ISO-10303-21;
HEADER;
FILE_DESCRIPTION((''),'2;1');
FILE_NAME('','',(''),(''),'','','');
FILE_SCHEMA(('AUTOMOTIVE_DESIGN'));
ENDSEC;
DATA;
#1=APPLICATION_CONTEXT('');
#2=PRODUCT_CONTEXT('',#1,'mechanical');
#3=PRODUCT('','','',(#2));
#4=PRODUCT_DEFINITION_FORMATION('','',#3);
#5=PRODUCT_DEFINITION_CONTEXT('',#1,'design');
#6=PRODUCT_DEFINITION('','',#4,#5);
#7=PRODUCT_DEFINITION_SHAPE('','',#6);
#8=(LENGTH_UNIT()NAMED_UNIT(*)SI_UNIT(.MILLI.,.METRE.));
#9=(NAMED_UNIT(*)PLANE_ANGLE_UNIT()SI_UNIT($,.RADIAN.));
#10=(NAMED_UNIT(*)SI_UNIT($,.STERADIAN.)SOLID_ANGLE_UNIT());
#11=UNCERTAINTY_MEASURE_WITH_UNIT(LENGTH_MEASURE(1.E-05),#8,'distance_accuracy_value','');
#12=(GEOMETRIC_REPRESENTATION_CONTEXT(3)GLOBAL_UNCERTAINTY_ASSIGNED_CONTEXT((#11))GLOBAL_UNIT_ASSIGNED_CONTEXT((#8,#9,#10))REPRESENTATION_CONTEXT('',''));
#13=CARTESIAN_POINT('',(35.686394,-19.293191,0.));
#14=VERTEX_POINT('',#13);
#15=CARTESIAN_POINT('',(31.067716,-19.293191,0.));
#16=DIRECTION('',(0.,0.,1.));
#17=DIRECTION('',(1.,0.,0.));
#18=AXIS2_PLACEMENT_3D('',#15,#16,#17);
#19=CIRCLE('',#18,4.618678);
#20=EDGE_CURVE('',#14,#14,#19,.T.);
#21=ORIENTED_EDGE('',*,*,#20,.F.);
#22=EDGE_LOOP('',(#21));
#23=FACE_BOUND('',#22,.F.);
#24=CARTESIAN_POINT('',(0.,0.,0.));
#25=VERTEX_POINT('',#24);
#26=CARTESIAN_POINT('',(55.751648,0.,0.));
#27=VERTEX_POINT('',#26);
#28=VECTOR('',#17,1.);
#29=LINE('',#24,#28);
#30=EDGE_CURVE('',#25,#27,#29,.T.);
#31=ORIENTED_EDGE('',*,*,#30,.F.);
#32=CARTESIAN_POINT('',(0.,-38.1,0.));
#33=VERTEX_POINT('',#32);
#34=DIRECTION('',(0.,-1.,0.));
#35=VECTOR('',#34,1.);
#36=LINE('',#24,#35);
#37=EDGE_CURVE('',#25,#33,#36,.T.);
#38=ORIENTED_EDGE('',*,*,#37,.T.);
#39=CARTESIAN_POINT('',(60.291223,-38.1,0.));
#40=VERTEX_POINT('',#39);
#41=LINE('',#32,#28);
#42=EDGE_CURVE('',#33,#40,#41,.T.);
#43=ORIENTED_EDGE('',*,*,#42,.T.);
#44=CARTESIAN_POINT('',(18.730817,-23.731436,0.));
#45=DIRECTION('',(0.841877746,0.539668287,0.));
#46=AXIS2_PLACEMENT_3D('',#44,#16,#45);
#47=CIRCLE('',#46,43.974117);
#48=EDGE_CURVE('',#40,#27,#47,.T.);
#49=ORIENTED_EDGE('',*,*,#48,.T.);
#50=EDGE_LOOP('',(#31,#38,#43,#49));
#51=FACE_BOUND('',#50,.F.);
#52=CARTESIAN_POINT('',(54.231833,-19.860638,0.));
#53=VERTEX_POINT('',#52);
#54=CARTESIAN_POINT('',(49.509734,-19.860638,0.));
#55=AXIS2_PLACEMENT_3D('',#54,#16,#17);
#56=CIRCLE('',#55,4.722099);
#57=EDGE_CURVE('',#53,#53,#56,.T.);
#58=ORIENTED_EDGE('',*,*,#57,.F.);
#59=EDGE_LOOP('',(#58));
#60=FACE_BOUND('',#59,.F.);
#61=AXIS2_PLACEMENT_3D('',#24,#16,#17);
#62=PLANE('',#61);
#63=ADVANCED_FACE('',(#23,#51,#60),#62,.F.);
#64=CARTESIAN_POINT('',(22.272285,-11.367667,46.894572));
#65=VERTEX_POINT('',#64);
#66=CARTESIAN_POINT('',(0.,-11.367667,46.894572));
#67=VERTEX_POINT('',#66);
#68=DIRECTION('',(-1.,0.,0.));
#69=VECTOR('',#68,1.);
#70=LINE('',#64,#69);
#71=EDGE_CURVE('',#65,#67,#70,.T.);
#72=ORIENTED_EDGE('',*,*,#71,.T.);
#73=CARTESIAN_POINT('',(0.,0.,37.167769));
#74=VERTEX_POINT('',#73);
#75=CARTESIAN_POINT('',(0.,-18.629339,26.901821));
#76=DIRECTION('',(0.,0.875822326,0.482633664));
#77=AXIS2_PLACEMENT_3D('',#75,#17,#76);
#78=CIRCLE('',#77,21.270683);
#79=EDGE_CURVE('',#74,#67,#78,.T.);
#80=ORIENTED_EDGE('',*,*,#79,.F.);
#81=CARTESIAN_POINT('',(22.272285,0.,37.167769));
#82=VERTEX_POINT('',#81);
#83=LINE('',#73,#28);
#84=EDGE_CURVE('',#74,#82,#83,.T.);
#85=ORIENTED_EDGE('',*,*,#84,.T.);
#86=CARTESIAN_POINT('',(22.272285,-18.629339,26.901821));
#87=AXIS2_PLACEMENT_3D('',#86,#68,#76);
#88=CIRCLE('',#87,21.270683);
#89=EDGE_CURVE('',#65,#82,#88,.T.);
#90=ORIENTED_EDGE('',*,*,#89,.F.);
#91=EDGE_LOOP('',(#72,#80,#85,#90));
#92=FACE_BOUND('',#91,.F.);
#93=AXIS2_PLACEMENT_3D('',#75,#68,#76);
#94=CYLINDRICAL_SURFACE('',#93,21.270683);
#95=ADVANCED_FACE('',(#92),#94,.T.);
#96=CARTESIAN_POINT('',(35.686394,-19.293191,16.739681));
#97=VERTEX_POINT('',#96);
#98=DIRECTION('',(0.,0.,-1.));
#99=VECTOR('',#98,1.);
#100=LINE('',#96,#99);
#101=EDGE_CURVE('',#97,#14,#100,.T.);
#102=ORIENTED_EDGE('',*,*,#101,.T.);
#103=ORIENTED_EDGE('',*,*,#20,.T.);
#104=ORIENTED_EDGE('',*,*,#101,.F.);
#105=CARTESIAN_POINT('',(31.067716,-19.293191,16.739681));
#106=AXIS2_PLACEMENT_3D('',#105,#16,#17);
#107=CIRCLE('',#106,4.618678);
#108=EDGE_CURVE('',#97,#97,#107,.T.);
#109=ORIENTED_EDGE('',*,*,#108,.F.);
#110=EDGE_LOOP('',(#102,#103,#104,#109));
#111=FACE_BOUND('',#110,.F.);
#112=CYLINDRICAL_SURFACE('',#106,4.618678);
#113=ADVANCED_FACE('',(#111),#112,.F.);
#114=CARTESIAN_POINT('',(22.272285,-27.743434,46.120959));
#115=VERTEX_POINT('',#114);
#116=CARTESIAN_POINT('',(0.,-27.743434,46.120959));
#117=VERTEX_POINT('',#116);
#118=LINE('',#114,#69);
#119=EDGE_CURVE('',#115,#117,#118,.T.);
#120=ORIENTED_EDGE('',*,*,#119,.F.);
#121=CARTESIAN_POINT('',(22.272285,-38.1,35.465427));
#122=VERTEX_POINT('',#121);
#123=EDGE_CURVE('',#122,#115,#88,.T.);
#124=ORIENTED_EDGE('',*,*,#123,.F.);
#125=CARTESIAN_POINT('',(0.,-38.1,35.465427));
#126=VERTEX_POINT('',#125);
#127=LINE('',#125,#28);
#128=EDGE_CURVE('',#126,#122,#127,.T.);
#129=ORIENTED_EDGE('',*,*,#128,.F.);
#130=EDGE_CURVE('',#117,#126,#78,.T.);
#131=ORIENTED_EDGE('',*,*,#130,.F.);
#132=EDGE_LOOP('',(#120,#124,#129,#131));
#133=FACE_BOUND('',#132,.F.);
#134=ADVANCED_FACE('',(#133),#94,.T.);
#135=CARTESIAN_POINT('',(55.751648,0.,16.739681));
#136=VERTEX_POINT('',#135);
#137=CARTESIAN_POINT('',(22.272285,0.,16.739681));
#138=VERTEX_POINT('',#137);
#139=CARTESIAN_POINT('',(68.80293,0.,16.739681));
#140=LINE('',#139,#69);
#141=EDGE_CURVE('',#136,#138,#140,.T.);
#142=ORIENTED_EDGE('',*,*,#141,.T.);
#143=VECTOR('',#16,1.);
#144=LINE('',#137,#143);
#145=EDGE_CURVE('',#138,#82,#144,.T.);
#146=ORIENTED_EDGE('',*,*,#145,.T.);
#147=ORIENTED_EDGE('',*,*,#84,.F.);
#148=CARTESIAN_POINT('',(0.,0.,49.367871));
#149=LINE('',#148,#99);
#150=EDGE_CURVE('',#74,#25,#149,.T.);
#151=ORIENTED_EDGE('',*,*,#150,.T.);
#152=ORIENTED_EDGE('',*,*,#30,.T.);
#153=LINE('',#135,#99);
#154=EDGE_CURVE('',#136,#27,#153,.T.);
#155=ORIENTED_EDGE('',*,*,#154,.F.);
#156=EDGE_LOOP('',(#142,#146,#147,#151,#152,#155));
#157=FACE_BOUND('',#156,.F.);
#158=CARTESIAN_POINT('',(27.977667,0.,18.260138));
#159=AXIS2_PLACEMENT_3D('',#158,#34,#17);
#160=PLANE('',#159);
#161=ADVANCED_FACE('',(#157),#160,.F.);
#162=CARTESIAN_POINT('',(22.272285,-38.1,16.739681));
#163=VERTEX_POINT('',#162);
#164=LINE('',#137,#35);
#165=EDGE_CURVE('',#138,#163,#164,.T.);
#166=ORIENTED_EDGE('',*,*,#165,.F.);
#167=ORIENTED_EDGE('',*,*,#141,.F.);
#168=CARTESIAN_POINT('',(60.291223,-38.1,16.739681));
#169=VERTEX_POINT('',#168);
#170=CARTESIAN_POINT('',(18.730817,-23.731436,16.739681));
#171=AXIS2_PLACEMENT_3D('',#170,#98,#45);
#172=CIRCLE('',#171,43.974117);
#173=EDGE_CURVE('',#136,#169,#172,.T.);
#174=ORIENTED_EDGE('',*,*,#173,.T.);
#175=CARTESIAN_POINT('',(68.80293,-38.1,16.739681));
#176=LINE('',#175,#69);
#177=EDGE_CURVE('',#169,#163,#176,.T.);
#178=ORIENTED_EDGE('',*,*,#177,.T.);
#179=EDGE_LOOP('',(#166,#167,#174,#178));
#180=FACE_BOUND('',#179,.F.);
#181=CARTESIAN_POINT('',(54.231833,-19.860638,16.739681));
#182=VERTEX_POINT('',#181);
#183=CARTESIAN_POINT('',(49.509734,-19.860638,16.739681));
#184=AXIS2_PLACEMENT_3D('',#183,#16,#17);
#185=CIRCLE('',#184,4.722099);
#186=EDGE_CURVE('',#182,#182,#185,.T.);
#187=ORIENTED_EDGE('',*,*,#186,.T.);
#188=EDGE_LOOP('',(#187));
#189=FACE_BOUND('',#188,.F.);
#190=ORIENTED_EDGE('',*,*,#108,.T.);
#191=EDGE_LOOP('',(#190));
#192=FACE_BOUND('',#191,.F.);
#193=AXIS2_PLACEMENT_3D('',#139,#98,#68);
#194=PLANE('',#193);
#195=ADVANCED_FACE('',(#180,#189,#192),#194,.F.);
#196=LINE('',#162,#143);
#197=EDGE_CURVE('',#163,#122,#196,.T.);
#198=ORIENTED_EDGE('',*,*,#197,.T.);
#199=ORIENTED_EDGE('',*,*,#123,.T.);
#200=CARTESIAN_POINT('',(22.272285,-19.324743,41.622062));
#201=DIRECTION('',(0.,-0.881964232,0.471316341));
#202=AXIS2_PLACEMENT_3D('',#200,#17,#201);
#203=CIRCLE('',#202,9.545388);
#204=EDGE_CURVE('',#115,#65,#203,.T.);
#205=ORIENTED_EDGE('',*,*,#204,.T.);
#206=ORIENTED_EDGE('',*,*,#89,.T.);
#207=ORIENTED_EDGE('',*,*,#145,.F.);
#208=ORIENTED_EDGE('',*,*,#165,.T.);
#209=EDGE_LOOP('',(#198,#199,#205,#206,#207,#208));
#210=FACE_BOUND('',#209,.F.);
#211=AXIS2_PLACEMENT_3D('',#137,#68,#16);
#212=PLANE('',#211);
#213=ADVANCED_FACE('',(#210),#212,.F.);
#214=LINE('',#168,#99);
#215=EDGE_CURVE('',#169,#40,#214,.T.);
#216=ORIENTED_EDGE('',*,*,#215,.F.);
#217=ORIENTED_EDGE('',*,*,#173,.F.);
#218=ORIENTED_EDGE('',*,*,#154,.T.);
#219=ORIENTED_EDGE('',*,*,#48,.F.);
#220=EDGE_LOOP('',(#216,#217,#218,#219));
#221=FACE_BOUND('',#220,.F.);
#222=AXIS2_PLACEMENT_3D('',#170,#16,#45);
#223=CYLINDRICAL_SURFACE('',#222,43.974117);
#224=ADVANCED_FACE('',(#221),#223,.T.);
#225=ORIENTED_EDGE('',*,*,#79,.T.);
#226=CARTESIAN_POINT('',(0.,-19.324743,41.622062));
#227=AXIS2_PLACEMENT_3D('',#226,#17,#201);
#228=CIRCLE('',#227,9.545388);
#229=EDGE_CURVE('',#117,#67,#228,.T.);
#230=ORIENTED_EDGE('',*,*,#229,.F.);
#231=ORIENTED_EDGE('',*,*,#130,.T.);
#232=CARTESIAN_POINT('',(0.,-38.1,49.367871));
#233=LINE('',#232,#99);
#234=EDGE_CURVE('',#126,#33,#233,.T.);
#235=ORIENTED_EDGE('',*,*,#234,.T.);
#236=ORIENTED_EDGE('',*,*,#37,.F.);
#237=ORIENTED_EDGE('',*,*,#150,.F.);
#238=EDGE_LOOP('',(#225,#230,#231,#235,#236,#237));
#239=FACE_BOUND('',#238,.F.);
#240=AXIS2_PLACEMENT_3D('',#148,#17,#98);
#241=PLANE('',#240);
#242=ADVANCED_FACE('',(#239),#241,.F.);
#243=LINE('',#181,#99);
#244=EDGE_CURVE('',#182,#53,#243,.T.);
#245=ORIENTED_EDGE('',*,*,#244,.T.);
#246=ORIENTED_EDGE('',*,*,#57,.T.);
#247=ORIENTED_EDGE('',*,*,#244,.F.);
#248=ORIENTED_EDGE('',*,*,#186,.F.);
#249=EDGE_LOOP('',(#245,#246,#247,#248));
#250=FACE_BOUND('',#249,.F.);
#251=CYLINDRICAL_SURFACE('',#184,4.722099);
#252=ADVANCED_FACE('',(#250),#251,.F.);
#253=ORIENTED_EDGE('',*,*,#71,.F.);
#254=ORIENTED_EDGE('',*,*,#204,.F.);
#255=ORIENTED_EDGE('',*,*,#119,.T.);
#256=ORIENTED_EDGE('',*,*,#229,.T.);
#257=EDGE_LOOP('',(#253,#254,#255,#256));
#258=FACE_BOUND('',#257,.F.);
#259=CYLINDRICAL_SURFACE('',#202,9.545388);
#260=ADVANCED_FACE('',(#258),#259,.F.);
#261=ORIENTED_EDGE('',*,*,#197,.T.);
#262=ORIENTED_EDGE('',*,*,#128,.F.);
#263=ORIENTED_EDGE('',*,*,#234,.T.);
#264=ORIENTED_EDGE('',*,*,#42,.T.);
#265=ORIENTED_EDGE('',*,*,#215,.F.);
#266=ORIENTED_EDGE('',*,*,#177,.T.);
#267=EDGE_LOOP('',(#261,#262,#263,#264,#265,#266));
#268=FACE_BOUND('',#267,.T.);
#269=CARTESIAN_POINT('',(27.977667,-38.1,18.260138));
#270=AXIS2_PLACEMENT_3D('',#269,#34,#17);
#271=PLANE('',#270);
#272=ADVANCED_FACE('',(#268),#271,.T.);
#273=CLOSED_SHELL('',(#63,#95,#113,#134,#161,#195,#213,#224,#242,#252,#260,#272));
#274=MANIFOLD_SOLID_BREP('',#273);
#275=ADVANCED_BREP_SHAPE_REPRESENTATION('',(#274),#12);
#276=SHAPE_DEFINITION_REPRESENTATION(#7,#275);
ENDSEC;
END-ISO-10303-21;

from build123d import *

# Parameters (mm, degrees)
F1_DEPTH  = 38.1
F3_DEPTH  = 25.4
F4_R      = 4.6186777809
F4_R_2    = 4.7220992833
F5_DEPTH  = 25.4
F7_DEPTH  = 25.4
F9_DEPTH  = 25.4
F11_DEPTH = 25.4


with BuildPart() as f1:
    # F0 (on Front) → F1 (new body)
    with BuildSketch(Plane.XZ):
        Polygon((0, 49.3678711355), (0, 0), (68.8029304147, 0), (68.8029304147, 16.7396813631), (22.272285074, 16.7396813631), (22.272285074, 49.3678711355), align=None)
    extrude(amount=F1_DEPTH)

    # F2 (on face) → F3 (cut)
    with BuildSketch(Plane.XY.offset(16.7396813631)):
        with BuildLine():
            ThreePointArc((55.7516478002, 0), (66.4469620448, -18.046107265), (60.291223228, -38.1))
            Line((60.291223228, -38.1), (68.8029304147, -38.1))
            Line((68.8029304147, -38.1), (68.8029304147, 0))
            Line((68.8029304147, 0), (55.7516478002, 0))
        make_face()
    extrude(amount=-F3_DEPTH, mode=Mode.SUBTRACT)

    # F4 (on face) → F5 (cut)
    with BuildSketch(Plane.XY.offset(16.7396813631)):
        with Locations((31.0677159578, -19.2931909114)):
            Circle(F4_R)
        with Locations((49.5097339153, -19.8606383055)):
            Circle(F4_R_2)
    extrude(amount=-F5_DEPTH, mode=Mode.SUBTRACT)

    # F6 (on face) → F7 (cut)
    with BuildSketch(Plane(origin=(0, 0, 0), x_dir=(0, -1, 0), z_dir=(-1, 0, 0))):
        with BuildLine():
            ThreePointArc((0, 37.1677689254), (19.5787852864, 48.1513039346), (38.1, 35.465426743))
            Line((38.1, 35.465426743), (38.1, 49.3678711355))
            Line((38.1, 49.3678711355), (0, 49.3678711355))
            Line((0, 49.3678711355), (0, 37.1677689254))
        make_face()
    extrude(amount=-F7_DEPTH, mode=Mode.SUBTRACT)

    # F8 (on face) → F9 (cut)
    with BuildSketch(Plane.YZ.offset(22.272285074)):
        with BuildLine():
            ThreePointArc((-11.3676669021, 46.8945718353), (-19.633075345, 48.1488087071), (-27.7434336329, 46.1209587865))
            ThreePointArc((-27.7434336329, 46.1209587865), (-18.8743086198, 32.0873075282), (-11.3676669021, 46.8945718352))
        make_face()
    extrude(amount=-F9_DEPTH, mode=Mode.SUBTRACT)

    # F10 (on face) → F11 (cut)
    with BuildSketch(Plane.XY.offset(16.7396813631)):
        with BuildLine():
            ThreePointArc((55.7516478002, 0), (62.3960801541, -18.5287656348), (60.291223228, -38.1))
            ThreePointArc((60.291223228, -38.1), (66.4469620448, -18.046107265), (55.7516478002, 0))
        make_face()
    extrude(amount=-F11_DEPTH, mode=Mode.SUBTRACT)


solid = f1.part
